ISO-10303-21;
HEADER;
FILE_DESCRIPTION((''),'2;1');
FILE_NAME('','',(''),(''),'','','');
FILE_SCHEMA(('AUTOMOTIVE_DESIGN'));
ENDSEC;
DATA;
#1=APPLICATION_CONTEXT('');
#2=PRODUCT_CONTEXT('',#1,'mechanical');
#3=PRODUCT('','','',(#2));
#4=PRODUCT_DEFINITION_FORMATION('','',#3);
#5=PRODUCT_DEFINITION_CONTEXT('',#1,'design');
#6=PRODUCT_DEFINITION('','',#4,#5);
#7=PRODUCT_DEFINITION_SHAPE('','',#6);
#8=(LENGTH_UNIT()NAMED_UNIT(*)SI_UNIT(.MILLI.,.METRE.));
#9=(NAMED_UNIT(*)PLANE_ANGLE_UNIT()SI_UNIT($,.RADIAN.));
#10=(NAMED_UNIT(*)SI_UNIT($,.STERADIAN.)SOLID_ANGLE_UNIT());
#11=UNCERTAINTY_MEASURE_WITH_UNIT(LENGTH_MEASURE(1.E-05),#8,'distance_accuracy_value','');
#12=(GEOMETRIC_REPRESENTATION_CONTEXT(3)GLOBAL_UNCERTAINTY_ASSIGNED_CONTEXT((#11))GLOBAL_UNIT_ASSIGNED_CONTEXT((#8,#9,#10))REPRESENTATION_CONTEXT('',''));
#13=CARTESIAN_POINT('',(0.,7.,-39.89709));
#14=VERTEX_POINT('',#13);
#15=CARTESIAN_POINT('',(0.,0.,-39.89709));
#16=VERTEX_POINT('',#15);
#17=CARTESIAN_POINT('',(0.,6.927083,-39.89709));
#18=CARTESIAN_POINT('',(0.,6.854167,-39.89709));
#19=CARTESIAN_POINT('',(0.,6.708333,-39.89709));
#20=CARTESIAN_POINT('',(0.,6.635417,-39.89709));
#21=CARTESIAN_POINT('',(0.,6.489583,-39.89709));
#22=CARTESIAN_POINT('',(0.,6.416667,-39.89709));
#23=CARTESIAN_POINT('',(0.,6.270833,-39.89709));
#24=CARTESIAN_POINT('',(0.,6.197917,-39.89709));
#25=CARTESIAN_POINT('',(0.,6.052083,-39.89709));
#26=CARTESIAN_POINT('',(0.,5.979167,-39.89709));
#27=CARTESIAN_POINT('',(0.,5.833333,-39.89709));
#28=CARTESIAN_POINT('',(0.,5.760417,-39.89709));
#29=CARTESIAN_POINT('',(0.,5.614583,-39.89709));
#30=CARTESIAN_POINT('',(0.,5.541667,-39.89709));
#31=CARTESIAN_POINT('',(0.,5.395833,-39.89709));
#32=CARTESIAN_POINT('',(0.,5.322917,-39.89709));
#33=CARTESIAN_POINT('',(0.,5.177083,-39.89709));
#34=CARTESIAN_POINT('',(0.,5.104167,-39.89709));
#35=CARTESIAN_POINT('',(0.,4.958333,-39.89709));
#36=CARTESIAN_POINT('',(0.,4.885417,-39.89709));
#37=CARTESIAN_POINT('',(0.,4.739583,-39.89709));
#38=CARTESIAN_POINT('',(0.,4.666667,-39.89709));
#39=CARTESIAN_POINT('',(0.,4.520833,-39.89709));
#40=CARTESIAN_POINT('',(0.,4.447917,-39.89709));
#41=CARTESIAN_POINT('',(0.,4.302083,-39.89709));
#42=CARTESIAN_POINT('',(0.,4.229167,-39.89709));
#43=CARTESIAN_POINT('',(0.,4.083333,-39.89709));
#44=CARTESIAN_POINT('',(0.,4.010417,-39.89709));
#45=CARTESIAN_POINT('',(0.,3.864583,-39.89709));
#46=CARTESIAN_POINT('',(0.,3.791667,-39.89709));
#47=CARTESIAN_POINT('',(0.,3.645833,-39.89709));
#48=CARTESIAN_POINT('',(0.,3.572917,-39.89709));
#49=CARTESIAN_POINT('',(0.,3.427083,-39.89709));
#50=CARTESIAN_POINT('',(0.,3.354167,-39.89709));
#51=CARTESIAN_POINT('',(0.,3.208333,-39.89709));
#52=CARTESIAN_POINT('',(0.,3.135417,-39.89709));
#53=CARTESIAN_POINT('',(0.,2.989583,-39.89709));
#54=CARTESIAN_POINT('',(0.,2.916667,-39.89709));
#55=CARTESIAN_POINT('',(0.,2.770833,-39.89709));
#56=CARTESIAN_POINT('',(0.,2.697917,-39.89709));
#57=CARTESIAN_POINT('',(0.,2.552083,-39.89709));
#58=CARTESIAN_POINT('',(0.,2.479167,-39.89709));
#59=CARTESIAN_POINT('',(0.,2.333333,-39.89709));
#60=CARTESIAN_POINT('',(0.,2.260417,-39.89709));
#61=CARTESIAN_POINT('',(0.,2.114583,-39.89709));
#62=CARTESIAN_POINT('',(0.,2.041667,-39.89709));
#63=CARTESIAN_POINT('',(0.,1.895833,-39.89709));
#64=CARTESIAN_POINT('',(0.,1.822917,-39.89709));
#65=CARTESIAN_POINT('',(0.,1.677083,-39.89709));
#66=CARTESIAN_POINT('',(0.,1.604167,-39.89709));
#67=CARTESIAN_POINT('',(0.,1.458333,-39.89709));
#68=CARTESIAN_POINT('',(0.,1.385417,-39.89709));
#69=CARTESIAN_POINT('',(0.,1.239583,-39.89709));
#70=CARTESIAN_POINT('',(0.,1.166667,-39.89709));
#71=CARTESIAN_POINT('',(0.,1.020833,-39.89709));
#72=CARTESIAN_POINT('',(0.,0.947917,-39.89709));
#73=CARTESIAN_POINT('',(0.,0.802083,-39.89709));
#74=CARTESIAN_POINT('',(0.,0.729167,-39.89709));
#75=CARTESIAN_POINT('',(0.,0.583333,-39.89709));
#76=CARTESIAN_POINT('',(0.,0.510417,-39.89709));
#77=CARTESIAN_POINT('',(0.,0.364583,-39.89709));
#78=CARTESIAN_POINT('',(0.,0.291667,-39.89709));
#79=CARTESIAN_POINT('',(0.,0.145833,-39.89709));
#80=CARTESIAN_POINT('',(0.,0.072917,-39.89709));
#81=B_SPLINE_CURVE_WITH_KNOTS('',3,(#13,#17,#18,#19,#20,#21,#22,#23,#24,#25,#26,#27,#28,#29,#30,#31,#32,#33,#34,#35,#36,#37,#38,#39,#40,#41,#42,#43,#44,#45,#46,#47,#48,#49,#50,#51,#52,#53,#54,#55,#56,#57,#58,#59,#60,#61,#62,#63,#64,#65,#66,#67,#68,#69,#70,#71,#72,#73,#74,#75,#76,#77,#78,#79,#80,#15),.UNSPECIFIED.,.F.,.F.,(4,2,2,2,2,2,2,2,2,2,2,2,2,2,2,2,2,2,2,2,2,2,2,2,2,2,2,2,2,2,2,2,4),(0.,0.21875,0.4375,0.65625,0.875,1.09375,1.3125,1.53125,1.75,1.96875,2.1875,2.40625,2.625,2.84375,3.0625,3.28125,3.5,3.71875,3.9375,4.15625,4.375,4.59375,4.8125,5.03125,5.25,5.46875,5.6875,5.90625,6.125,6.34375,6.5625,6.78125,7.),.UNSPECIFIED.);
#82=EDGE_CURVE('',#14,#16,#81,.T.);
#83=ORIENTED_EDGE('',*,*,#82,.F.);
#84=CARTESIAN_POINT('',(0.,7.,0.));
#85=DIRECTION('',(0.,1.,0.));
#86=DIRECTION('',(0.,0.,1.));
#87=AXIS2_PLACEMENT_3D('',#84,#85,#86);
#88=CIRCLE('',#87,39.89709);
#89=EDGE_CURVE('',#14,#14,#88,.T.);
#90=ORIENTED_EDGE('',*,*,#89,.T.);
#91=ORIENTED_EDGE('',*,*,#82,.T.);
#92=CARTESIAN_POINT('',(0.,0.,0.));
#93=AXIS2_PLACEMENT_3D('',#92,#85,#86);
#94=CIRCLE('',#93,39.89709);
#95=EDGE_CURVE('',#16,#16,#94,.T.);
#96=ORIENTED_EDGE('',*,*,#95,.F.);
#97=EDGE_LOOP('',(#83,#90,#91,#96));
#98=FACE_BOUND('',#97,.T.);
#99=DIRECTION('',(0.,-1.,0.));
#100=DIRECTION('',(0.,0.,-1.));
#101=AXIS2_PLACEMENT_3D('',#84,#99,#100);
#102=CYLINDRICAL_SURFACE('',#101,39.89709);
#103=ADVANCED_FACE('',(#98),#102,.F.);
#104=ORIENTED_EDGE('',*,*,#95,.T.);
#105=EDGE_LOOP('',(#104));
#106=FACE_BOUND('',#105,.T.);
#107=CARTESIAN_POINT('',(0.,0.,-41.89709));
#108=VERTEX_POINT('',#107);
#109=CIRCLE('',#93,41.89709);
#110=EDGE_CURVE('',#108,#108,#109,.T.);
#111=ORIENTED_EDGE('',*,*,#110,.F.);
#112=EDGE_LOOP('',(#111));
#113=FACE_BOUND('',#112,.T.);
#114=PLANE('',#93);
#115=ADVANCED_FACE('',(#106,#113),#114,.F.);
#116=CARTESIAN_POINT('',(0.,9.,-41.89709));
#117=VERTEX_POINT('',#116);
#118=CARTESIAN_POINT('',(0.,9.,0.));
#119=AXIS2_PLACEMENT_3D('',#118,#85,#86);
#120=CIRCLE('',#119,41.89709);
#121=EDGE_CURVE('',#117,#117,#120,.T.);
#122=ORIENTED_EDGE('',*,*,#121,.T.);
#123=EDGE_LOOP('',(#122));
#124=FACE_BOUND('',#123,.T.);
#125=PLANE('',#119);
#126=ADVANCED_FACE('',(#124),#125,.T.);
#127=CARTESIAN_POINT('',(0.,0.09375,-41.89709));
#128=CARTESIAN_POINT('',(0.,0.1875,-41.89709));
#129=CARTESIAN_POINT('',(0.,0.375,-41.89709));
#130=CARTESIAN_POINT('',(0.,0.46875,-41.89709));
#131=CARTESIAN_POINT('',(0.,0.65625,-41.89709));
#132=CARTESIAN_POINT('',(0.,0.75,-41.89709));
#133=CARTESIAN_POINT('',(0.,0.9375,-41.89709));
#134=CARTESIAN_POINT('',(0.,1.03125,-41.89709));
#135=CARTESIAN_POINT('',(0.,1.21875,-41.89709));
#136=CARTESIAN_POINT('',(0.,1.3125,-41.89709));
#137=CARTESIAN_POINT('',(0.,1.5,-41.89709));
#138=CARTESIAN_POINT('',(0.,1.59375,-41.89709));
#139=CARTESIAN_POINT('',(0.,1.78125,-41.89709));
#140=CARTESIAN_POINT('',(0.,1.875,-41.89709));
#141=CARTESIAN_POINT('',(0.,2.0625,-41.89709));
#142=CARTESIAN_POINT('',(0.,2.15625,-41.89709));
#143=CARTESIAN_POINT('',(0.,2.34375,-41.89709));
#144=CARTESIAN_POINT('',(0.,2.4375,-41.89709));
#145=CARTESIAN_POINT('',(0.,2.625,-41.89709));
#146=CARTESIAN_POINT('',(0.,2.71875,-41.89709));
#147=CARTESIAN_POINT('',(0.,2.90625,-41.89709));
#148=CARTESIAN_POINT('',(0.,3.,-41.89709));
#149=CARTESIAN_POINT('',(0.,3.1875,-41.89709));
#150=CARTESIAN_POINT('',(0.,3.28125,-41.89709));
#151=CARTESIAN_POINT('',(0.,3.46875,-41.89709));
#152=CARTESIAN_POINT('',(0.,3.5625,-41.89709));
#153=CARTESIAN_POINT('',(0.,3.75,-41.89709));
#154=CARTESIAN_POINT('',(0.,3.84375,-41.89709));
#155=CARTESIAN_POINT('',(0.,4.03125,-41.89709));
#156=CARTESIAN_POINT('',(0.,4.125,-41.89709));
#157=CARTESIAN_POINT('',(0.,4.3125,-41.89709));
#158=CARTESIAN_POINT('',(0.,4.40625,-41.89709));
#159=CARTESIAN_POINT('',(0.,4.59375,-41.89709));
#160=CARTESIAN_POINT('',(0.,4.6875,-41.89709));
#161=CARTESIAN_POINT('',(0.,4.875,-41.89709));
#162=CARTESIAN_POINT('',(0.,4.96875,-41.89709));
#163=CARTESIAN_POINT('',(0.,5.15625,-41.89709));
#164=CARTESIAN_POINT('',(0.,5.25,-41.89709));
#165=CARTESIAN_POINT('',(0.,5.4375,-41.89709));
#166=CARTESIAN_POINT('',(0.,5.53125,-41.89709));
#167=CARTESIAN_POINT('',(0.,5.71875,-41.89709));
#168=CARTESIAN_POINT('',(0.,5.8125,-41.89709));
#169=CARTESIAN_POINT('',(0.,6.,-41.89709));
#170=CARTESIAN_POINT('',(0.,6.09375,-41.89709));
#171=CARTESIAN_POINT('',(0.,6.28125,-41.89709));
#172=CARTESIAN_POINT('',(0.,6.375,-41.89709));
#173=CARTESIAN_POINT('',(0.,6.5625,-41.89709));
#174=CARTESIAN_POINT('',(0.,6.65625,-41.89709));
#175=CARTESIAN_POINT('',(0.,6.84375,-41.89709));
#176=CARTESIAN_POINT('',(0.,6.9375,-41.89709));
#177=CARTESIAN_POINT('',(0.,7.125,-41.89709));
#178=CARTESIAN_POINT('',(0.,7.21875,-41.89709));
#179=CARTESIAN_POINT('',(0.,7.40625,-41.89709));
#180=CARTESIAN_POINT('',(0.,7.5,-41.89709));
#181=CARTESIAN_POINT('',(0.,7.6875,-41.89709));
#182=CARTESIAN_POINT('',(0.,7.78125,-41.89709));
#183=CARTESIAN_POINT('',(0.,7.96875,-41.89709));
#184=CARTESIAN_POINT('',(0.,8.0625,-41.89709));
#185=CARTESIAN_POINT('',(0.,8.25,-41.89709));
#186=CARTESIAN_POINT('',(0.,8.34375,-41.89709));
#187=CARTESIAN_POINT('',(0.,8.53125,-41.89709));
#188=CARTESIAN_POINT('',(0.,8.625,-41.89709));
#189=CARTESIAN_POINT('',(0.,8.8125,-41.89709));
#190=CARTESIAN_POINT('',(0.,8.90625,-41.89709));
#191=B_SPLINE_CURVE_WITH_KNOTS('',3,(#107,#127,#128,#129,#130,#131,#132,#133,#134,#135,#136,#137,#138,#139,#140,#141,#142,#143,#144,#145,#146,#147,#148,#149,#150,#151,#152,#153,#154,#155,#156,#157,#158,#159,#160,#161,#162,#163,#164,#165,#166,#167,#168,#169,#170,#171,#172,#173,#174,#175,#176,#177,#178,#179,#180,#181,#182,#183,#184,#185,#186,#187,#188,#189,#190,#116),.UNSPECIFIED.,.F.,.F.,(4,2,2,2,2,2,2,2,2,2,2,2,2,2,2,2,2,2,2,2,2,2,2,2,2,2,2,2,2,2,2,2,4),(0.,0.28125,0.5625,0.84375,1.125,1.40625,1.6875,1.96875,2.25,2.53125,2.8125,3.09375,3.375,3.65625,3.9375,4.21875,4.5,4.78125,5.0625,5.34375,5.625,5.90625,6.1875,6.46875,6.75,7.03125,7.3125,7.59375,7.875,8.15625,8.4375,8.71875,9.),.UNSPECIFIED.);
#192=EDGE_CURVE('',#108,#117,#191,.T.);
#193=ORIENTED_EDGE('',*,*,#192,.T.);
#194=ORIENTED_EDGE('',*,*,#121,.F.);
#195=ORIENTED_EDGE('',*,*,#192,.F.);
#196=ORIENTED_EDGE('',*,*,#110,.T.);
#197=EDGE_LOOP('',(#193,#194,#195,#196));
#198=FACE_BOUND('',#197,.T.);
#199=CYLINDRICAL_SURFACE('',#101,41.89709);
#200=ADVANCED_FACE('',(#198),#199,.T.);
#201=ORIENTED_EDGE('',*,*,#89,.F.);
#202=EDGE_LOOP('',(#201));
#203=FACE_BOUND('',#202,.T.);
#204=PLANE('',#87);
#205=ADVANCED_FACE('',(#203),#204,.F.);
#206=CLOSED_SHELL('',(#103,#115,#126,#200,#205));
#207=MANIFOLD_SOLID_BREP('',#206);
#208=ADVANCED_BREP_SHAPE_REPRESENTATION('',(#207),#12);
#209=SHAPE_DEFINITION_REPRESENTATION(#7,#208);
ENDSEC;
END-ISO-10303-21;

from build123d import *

# Parameters (mm, degrees)
SKETCH1_R           = 41.897090419
SKETCH1_R_2         = 39.897090419
BOSS_EXTRUDE1_DEPTH = 7
SKETCH2_R           = 41.897090419
BOSS_EXTRUDE2_DEPTH = 2


with BuildPart() as part:
    # Sketch1 → Boss-Extrude1 (new body)
    with BuildSketch(Plane(origin=(0, 0, 0), x_dir=(1, 0, 0), z_dir=(0, 1, 0))):
        with Locations(Location((0, 0, 0), (0, 0, 90))):
            Circle(SKETCH1_R)
        with Locations(Location((0, 0, 0), (0, 0, 90))):
            Circle(SKETCH1_R_2, mode=Mode.SUBTRACT)
    extrude(amount=BOSS_EXTRUDE1_DEPTH)

    # Sketch2 → Boss-Extrude2 (add)
    with BuildSketch(Plane(origin=(0, 7, 0), x_dir=(1, 0, 0), z_dir=(0, 1, 0))):
        with Locations(Location((0, 0, 0), (0, 0, 90))):
            Circle(SKETCH2_R)
    extrude(amount=BOSS_EXTRUDE2_DEPTH)


solid = part.part
